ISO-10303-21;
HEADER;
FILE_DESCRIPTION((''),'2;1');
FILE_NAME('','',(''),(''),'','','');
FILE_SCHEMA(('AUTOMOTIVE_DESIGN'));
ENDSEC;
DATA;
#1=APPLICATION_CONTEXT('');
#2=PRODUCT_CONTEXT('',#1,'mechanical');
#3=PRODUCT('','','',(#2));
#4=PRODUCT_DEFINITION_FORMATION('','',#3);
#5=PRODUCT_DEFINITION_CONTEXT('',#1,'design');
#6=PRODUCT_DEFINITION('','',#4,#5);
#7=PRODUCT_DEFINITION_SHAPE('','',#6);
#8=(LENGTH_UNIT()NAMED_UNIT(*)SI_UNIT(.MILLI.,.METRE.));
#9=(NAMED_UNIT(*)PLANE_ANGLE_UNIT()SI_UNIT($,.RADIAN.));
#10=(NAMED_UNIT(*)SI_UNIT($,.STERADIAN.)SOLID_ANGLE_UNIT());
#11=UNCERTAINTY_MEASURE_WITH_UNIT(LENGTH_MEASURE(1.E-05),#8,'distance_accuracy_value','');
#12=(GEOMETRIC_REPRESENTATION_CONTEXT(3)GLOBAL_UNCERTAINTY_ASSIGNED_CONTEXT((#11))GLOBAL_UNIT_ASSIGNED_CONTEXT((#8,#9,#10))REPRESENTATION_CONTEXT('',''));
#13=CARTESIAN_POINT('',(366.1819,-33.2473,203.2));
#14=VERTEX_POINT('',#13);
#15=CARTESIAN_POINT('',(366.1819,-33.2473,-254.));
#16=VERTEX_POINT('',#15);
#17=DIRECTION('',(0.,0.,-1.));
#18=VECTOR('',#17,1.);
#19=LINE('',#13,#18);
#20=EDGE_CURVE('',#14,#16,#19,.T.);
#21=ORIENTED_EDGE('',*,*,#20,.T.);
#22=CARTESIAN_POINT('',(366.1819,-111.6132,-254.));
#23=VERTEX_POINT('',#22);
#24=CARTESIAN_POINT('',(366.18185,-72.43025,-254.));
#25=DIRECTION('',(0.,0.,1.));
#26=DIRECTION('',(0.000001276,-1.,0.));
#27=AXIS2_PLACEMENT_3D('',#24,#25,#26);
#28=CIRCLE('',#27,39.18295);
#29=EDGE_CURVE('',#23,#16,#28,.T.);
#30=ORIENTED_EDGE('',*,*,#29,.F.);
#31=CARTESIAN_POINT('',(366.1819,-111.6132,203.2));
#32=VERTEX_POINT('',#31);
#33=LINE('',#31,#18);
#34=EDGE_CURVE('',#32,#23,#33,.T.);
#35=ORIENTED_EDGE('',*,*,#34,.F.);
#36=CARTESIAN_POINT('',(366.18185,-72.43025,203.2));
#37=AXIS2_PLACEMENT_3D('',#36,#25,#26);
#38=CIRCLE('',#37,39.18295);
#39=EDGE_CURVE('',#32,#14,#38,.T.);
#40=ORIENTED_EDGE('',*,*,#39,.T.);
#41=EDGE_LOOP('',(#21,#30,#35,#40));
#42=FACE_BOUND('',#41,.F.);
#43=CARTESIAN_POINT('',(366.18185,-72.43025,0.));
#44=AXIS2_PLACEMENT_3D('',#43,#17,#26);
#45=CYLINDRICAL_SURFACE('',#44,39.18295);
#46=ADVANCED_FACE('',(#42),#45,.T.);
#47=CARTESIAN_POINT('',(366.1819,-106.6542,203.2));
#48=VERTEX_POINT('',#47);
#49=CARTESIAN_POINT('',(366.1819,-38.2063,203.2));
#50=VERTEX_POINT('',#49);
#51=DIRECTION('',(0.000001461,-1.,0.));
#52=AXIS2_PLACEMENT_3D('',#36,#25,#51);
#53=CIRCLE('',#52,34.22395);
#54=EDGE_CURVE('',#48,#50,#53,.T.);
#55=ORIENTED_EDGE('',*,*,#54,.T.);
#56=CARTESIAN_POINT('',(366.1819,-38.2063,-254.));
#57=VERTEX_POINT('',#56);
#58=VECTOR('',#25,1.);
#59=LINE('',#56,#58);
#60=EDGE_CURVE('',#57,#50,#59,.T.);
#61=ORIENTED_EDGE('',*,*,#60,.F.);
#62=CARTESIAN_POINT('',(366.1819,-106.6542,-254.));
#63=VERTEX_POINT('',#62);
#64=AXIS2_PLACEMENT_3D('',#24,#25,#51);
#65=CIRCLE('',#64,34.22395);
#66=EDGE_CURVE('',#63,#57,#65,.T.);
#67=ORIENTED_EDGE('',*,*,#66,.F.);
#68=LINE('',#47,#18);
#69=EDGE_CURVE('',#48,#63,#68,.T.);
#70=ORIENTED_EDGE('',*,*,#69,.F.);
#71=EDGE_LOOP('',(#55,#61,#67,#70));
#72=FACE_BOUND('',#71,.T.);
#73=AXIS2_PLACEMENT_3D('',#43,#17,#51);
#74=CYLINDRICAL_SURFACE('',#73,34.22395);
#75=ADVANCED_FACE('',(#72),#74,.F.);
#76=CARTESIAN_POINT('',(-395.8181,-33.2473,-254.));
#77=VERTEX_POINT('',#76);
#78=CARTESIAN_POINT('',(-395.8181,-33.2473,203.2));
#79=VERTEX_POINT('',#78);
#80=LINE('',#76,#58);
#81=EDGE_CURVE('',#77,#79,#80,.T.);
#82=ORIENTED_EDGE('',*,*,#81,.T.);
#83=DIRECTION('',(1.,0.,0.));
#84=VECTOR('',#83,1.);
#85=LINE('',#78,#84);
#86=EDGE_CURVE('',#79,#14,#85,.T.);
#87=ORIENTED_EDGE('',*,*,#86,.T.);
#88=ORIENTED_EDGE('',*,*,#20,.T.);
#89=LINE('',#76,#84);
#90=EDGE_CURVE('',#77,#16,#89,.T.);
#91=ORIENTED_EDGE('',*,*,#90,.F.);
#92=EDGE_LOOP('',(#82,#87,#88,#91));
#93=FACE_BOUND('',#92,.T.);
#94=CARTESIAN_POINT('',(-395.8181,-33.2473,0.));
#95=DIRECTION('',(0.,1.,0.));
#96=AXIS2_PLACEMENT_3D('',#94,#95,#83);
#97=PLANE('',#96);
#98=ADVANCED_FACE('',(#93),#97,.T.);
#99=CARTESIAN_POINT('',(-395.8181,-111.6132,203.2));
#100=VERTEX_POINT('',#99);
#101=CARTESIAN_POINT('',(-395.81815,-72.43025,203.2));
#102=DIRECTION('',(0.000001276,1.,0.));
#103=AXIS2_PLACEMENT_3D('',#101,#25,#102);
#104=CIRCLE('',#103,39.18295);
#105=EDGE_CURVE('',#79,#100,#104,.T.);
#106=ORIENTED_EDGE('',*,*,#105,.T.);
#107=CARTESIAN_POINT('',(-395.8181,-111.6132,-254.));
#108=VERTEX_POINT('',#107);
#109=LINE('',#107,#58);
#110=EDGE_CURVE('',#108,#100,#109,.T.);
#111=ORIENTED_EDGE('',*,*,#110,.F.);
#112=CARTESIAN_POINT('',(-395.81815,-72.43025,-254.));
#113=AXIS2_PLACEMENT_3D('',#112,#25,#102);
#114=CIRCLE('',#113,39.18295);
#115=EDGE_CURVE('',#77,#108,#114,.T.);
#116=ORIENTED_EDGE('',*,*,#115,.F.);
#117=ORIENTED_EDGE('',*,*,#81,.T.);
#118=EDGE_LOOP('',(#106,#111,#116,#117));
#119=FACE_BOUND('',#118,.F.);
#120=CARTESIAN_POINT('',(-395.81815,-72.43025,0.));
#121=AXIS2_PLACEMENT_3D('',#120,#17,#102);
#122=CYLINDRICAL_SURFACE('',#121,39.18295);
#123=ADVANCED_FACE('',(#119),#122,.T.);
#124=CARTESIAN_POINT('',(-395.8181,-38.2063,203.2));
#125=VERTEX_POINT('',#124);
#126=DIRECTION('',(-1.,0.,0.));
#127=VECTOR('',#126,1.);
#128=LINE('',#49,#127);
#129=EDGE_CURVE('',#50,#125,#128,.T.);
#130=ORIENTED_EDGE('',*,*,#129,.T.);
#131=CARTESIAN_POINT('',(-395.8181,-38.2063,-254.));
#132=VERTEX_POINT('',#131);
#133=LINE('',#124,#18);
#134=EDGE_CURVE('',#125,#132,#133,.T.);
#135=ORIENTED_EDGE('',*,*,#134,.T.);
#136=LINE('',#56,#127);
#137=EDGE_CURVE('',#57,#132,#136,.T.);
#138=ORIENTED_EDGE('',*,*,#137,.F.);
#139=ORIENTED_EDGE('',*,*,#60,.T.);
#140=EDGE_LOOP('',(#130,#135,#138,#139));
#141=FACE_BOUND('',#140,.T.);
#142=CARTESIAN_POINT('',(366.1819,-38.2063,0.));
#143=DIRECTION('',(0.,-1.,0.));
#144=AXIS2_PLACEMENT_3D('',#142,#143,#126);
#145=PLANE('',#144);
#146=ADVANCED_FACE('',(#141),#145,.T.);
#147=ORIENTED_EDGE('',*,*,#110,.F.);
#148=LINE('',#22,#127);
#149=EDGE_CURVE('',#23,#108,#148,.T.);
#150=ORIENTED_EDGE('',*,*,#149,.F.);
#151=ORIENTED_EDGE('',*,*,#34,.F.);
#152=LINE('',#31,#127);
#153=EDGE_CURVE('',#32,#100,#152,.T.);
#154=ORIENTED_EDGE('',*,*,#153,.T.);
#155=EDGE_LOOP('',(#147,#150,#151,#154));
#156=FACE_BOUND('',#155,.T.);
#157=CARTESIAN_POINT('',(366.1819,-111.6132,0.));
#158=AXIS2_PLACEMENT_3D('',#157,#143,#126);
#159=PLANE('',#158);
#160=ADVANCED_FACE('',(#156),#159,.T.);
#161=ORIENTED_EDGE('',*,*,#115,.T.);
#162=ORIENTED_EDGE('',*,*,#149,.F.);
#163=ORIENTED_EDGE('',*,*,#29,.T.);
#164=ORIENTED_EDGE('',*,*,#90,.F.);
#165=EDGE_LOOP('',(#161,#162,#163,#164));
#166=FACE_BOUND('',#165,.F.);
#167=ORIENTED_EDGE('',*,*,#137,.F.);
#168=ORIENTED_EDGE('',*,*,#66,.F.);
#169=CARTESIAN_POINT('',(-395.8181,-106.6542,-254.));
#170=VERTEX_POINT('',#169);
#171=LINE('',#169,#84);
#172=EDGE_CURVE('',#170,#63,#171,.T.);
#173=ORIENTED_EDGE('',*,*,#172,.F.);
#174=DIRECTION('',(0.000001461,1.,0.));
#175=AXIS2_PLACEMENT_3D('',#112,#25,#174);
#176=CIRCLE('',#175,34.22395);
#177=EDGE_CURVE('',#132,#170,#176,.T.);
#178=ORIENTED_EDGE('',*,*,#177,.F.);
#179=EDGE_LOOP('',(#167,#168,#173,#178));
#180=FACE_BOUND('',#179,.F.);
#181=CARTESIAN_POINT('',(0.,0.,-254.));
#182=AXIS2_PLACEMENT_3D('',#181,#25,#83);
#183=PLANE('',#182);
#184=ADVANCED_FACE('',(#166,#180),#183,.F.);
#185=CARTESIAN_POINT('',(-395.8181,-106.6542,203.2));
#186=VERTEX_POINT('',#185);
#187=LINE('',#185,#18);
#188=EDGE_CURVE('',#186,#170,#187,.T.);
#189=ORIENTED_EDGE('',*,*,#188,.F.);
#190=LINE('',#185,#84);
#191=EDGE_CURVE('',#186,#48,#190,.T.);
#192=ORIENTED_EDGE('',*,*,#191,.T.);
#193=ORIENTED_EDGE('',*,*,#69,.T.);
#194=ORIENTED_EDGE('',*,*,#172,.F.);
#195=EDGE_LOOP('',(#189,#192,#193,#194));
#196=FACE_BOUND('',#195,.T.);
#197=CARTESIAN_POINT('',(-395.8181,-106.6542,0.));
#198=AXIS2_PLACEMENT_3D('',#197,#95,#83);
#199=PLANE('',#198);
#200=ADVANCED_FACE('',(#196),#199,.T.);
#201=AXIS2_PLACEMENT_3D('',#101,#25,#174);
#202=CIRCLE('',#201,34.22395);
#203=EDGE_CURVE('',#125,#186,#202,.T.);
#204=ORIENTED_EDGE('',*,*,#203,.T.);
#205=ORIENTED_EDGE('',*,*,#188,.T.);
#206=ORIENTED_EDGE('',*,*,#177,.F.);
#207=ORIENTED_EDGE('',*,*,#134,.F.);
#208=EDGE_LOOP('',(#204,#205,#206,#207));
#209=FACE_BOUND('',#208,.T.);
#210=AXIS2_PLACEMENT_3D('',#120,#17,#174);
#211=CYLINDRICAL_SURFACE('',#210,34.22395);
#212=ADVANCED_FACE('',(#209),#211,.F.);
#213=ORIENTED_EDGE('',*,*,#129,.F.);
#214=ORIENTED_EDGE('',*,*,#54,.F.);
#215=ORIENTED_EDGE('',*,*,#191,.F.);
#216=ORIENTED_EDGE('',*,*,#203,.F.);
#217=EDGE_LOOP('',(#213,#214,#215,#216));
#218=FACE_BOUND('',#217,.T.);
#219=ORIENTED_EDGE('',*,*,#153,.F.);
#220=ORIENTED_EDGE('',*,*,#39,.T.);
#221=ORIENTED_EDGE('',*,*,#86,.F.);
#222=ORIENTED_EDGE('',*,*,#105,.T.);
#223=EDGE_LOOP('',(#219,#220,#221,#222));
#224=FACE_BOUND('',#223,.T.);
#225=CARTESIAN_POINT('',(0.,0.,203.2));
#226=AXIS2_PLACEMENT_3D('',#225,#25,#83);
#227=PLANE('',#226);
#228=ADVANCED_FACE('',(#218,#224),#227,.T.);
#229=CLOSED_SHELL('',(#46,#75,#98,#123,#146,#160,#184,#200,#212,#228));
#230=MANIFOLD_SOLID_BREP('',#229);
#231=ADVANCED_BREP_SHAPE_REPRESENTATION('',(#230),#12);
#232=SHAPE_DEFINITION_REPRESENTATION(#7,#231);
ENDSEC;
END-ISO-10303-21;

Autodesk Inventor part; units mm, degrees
ref_plane "YZ Plane" through (0, 0, 0) normal (1, 0, 0) x (0, 1, 0)
ref_plane "XZ Plane" through (0, 0, 0) normal (0, 1, 0) x (-1, 0, 0)
ref_plane "XY Plane" through (0, 0, 0) normal (0, 0, 1) x (1, 0, 0)
sketch "Sketch1" plane through (0, 0, 0) normal (0, 0, 1) x (1, 0, 0)
  line L0 (-395.8181, -42.4329) -> (366.1819, -42.4329) projected
  line L1 (-395.8181, -102.4277) -> (366.1819, -102.4277) projected
  arc A0 (366.1819, -102.4277) -> (366.1819, -42.4329) centre (366.1819, -72.4303) ccw
  arc A1 (-395.8181, -42.4329) -> (-395.8181, -102.4277) centre (-395.8181, -72.4303) ccw
  line L2 (366.1819, -38.2063) -> (-395.8181, -38.2063)
  arc A2 (-395.8181, -38.2063) -> (-395.8181, -106.6542) centre (-395.8181, -72.4303) ccw
  line L3 (-395.8181, -106.6542) -> (366.1819, -106.6542)
  arc A3 (366.1819, -106.6542) -> (366.1819, -38.2063) centre (366.1819, -72.4303) ccw
  line L4 (-395.8181, -33.2473) -> (366.1819, -33.2473)
  arc A4 (366.1819, -111.6132) -> (366.1819, -33.2473) centre (366.1819, -72.4303) ccw
  line L5 (366.1819, -111.6132) -> (-395.8181, -111.6132)
  arc A5 (-395.8181, -33.2473) -> (-395.8181, -111.6132) centre (-395.8181, -72.4303) ccw
  point P0 (0, 0)
  point P1 (-397.2939, -72.395)
extrude "Extrusion1" add sketch "Sketch1" along normal blind 203.2 and the other way blind 254 contours L4 A4 L5 A5
sketch "Sketch2" plane through (-395.8181, -106.6542, 203.2) normal (0, 1, 0) x (1, 0, 0)
  point P0 (395.8181, 203.2)
sketch "Sketch3" plane through (-395.8181, -33.2473, 203.2) normal (0, 1, 0) x (1, 0, 0)
  line L0 (0, 457.2) -> (762, 457.2) projected
  line L1 (381, 457.2) -> (381, 355.6)
  line L2 (381, 0.2737) -> (381, 101.8737)
  line L3 (0, 457.2) -> (0, 0) projected
  line L4 (0, 355.6) -> (762, 355.6)
  line L5 (762, 355.6) -> (762, 101.8737)
  line L6 (762, 101.8737) -> (0, 101.8737)
  line L7 (0, 101.8737) -> (0, 355.6)
  point P0 (395.8181, 203.2)
  dimension "d4" = 101.6
  dimension "d5" = 101.6
extrude "Extrusion2" [suppressed]
properties part number "belt"
